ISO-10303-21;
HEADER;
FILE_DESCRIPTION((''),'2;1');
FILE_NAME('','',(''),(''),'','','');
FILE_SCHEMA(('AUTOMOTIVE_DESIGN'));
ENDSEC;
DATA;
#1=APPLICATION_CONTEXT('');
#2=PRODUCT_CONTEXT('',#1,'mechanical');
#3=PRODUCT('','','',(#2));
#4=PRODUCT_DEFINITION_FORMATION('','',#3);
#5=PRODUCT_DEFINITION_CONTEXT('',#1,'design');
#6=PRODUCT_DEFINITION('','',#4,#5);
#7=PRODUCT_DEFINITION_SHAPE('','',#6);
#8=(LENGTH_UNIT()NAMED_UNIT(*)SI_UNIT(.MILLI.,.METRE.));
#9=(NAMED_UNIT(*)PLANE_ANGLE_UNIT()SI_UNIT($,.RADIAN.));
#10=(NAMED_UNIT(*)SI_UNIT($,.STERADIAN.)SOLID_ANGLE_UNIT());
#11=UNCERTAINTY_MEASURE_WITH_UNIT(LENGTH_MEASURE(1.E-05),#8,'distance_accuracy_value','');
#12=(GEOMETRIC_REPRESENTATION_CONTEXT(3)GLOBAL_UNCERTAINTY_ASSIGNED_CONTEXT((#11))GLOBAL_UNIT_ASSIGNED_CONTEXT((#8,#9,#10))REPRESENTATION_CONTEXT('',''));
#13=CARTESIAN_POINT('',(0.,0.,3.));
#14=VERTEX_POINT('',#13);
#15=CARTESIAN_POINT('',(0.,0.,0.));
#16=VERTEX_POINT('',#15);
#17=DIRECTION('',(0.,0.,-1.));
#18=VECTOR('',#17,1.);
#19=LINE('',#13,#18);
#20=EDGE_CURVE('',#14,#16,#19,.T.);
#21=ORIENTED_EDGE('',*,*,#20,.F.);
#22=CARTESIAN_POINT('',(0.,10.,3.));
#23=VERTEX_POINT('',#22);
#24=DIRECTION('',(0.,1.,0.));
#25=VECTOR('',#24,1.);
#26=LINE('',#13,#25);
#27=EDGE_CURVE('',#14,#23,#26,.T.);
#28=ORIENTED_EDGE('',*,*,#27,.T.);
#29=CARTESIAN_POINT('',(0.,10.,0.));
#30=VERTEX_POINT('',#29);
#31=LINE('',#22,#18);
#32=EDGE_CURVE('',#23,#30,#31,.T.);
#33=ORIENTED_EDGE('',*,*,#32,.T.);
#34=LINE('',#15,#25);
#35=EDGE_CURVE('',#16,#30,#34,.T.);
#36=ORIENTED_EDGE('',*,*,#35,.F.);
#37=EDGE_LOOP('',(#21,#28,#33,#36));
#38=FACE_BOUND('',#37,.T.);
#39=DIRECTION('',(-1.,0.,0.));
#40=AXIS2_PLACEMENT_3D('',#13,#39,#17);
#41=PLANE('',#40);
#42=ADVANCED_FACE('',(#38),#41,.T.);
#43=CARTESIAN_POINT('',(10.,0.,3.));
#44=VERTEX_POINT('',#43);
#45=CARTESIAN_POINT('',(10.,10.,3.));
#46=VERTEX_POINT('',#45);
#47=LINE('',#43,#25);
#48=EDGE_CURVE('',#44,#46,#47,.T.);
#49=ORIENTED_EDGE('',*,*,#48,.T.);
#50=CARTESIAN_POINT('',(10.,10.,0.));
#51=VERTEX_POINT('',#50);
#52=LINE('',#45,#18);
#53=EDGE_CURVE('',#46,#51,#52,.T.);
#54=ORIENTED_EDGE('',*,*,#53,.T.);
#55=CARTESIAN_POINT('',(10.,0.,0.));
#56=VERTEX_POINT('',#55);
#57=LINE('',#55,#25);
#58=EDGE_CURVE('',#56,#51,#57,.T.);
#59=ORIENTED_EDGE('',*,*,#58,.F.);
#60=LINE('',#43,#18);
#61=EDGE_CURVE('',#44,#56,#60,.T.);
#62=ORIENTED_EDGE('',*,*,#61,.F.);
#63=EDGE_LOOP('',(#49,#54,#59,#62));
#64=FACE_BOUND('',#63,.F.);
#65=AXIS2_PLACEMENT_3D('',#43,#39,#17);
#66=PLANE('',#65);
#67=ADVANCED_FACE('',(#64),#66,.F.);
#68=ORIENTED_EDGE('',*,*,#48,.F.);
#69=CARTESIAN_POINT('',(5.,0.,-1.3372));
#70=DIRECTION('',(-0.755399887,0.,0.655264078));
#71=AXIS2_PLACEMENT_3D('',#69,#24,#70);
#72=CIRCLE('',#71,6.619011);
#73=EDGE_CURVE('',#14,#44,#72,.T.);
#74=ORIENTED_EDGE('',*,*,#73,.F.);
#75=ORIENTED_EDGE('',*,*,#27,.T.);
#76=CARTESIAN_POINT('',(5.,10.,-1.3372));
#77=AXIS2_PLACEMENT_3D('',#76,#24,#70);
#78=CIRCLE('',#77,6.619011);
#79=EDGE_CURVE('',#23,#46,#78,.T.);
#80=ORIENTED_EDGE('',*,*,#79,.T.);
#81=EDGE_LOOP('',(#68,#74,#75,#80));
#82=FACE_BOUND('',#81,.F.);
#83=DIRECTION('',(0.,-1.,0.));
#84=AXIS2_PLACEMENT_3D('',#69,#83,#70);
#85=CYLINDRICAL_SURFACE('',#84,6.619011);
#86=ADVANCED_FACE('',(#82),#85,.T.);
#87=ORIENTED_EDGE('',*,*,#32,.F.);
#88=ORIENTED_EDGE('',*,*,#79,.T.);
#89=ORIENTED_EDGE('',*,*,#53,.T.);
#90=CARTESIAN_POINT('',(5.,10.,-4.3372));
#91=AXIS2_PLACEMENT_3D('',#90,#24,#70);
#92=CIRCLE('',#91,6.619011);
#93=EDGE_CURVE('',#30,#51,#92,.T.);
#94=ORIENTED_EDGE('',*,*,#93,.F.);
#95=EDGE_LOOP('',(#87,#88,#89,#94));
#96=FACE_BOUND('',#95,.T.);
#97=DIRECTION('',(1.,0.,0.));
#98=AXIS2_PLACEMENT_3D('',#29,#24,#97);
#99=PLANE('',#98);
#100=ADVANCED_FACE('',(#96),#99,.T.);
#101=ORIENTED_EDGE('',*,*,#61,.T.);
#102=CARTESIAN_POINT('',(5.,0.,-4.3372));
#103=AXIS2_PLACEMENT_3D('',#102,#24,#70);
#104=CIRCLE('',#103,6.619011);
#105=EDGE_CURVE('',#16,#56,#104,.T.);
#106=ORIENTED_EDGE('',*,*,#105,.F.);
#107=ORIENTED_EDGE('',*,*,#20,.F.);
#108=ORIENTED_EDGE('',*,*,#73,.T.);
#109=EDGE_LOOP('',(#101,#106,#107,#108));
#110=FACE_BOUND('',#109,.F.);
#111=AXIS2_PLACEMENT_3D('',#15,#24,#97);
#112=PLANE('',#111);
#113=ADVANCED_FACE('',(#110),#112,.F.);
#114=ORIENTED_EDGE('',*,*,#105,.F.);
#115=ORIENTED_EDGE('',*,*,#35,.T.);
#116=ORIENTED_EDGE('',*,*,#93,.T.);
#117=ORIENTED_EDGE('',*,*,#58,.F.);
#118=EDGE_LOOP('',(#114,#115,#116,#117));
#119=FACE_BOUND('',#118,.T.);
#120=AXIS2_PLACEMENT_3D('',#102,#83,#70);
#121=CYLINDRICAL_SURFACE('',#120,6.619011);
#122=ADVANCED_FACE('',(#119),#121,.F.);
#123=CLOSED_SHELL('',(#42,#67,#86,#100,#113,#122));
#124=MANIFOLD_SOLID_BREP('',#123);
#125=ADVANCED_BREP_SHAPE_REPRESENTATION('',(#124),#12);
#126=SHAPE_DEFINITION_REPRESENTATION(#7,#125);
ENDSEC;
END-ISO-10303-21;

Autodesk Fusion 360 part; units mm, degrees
sketch "Sketch1" plane through (0, 0, 0) normal (0, 1, 0) x (1, 0, 0)
  line L0 (0, -3) -> (0, 0)
  line L1 (10, -3) -> (10, 0)
  arc A0 (0, 0) -> (10, 0) centre (5, 4.3372) ccw
  arc A1 (0, -3) -> (10, -3) centre (5, 1.3372) ccw
  dimension "d2" = 10
  dimension "d3" = 3
  dimension "d4" = 6.619
extrude "Extrude1" add sketch "Sketch1" along normal blind 10
sketch "Sketch2" plane through (0, 0, 0) normal (0, -1, 0) x (1, 0, 0)
  line L0 (0, 3) -> (0, 0)
  arc A0 (10, 0) -> (0, 0) centre (5, -4.3372) ccw
  line L1 (10, 0) -> (10, 3)
  arc A1 (10, 3) -> (0, 3) centre (5, -1.3372) ccw
